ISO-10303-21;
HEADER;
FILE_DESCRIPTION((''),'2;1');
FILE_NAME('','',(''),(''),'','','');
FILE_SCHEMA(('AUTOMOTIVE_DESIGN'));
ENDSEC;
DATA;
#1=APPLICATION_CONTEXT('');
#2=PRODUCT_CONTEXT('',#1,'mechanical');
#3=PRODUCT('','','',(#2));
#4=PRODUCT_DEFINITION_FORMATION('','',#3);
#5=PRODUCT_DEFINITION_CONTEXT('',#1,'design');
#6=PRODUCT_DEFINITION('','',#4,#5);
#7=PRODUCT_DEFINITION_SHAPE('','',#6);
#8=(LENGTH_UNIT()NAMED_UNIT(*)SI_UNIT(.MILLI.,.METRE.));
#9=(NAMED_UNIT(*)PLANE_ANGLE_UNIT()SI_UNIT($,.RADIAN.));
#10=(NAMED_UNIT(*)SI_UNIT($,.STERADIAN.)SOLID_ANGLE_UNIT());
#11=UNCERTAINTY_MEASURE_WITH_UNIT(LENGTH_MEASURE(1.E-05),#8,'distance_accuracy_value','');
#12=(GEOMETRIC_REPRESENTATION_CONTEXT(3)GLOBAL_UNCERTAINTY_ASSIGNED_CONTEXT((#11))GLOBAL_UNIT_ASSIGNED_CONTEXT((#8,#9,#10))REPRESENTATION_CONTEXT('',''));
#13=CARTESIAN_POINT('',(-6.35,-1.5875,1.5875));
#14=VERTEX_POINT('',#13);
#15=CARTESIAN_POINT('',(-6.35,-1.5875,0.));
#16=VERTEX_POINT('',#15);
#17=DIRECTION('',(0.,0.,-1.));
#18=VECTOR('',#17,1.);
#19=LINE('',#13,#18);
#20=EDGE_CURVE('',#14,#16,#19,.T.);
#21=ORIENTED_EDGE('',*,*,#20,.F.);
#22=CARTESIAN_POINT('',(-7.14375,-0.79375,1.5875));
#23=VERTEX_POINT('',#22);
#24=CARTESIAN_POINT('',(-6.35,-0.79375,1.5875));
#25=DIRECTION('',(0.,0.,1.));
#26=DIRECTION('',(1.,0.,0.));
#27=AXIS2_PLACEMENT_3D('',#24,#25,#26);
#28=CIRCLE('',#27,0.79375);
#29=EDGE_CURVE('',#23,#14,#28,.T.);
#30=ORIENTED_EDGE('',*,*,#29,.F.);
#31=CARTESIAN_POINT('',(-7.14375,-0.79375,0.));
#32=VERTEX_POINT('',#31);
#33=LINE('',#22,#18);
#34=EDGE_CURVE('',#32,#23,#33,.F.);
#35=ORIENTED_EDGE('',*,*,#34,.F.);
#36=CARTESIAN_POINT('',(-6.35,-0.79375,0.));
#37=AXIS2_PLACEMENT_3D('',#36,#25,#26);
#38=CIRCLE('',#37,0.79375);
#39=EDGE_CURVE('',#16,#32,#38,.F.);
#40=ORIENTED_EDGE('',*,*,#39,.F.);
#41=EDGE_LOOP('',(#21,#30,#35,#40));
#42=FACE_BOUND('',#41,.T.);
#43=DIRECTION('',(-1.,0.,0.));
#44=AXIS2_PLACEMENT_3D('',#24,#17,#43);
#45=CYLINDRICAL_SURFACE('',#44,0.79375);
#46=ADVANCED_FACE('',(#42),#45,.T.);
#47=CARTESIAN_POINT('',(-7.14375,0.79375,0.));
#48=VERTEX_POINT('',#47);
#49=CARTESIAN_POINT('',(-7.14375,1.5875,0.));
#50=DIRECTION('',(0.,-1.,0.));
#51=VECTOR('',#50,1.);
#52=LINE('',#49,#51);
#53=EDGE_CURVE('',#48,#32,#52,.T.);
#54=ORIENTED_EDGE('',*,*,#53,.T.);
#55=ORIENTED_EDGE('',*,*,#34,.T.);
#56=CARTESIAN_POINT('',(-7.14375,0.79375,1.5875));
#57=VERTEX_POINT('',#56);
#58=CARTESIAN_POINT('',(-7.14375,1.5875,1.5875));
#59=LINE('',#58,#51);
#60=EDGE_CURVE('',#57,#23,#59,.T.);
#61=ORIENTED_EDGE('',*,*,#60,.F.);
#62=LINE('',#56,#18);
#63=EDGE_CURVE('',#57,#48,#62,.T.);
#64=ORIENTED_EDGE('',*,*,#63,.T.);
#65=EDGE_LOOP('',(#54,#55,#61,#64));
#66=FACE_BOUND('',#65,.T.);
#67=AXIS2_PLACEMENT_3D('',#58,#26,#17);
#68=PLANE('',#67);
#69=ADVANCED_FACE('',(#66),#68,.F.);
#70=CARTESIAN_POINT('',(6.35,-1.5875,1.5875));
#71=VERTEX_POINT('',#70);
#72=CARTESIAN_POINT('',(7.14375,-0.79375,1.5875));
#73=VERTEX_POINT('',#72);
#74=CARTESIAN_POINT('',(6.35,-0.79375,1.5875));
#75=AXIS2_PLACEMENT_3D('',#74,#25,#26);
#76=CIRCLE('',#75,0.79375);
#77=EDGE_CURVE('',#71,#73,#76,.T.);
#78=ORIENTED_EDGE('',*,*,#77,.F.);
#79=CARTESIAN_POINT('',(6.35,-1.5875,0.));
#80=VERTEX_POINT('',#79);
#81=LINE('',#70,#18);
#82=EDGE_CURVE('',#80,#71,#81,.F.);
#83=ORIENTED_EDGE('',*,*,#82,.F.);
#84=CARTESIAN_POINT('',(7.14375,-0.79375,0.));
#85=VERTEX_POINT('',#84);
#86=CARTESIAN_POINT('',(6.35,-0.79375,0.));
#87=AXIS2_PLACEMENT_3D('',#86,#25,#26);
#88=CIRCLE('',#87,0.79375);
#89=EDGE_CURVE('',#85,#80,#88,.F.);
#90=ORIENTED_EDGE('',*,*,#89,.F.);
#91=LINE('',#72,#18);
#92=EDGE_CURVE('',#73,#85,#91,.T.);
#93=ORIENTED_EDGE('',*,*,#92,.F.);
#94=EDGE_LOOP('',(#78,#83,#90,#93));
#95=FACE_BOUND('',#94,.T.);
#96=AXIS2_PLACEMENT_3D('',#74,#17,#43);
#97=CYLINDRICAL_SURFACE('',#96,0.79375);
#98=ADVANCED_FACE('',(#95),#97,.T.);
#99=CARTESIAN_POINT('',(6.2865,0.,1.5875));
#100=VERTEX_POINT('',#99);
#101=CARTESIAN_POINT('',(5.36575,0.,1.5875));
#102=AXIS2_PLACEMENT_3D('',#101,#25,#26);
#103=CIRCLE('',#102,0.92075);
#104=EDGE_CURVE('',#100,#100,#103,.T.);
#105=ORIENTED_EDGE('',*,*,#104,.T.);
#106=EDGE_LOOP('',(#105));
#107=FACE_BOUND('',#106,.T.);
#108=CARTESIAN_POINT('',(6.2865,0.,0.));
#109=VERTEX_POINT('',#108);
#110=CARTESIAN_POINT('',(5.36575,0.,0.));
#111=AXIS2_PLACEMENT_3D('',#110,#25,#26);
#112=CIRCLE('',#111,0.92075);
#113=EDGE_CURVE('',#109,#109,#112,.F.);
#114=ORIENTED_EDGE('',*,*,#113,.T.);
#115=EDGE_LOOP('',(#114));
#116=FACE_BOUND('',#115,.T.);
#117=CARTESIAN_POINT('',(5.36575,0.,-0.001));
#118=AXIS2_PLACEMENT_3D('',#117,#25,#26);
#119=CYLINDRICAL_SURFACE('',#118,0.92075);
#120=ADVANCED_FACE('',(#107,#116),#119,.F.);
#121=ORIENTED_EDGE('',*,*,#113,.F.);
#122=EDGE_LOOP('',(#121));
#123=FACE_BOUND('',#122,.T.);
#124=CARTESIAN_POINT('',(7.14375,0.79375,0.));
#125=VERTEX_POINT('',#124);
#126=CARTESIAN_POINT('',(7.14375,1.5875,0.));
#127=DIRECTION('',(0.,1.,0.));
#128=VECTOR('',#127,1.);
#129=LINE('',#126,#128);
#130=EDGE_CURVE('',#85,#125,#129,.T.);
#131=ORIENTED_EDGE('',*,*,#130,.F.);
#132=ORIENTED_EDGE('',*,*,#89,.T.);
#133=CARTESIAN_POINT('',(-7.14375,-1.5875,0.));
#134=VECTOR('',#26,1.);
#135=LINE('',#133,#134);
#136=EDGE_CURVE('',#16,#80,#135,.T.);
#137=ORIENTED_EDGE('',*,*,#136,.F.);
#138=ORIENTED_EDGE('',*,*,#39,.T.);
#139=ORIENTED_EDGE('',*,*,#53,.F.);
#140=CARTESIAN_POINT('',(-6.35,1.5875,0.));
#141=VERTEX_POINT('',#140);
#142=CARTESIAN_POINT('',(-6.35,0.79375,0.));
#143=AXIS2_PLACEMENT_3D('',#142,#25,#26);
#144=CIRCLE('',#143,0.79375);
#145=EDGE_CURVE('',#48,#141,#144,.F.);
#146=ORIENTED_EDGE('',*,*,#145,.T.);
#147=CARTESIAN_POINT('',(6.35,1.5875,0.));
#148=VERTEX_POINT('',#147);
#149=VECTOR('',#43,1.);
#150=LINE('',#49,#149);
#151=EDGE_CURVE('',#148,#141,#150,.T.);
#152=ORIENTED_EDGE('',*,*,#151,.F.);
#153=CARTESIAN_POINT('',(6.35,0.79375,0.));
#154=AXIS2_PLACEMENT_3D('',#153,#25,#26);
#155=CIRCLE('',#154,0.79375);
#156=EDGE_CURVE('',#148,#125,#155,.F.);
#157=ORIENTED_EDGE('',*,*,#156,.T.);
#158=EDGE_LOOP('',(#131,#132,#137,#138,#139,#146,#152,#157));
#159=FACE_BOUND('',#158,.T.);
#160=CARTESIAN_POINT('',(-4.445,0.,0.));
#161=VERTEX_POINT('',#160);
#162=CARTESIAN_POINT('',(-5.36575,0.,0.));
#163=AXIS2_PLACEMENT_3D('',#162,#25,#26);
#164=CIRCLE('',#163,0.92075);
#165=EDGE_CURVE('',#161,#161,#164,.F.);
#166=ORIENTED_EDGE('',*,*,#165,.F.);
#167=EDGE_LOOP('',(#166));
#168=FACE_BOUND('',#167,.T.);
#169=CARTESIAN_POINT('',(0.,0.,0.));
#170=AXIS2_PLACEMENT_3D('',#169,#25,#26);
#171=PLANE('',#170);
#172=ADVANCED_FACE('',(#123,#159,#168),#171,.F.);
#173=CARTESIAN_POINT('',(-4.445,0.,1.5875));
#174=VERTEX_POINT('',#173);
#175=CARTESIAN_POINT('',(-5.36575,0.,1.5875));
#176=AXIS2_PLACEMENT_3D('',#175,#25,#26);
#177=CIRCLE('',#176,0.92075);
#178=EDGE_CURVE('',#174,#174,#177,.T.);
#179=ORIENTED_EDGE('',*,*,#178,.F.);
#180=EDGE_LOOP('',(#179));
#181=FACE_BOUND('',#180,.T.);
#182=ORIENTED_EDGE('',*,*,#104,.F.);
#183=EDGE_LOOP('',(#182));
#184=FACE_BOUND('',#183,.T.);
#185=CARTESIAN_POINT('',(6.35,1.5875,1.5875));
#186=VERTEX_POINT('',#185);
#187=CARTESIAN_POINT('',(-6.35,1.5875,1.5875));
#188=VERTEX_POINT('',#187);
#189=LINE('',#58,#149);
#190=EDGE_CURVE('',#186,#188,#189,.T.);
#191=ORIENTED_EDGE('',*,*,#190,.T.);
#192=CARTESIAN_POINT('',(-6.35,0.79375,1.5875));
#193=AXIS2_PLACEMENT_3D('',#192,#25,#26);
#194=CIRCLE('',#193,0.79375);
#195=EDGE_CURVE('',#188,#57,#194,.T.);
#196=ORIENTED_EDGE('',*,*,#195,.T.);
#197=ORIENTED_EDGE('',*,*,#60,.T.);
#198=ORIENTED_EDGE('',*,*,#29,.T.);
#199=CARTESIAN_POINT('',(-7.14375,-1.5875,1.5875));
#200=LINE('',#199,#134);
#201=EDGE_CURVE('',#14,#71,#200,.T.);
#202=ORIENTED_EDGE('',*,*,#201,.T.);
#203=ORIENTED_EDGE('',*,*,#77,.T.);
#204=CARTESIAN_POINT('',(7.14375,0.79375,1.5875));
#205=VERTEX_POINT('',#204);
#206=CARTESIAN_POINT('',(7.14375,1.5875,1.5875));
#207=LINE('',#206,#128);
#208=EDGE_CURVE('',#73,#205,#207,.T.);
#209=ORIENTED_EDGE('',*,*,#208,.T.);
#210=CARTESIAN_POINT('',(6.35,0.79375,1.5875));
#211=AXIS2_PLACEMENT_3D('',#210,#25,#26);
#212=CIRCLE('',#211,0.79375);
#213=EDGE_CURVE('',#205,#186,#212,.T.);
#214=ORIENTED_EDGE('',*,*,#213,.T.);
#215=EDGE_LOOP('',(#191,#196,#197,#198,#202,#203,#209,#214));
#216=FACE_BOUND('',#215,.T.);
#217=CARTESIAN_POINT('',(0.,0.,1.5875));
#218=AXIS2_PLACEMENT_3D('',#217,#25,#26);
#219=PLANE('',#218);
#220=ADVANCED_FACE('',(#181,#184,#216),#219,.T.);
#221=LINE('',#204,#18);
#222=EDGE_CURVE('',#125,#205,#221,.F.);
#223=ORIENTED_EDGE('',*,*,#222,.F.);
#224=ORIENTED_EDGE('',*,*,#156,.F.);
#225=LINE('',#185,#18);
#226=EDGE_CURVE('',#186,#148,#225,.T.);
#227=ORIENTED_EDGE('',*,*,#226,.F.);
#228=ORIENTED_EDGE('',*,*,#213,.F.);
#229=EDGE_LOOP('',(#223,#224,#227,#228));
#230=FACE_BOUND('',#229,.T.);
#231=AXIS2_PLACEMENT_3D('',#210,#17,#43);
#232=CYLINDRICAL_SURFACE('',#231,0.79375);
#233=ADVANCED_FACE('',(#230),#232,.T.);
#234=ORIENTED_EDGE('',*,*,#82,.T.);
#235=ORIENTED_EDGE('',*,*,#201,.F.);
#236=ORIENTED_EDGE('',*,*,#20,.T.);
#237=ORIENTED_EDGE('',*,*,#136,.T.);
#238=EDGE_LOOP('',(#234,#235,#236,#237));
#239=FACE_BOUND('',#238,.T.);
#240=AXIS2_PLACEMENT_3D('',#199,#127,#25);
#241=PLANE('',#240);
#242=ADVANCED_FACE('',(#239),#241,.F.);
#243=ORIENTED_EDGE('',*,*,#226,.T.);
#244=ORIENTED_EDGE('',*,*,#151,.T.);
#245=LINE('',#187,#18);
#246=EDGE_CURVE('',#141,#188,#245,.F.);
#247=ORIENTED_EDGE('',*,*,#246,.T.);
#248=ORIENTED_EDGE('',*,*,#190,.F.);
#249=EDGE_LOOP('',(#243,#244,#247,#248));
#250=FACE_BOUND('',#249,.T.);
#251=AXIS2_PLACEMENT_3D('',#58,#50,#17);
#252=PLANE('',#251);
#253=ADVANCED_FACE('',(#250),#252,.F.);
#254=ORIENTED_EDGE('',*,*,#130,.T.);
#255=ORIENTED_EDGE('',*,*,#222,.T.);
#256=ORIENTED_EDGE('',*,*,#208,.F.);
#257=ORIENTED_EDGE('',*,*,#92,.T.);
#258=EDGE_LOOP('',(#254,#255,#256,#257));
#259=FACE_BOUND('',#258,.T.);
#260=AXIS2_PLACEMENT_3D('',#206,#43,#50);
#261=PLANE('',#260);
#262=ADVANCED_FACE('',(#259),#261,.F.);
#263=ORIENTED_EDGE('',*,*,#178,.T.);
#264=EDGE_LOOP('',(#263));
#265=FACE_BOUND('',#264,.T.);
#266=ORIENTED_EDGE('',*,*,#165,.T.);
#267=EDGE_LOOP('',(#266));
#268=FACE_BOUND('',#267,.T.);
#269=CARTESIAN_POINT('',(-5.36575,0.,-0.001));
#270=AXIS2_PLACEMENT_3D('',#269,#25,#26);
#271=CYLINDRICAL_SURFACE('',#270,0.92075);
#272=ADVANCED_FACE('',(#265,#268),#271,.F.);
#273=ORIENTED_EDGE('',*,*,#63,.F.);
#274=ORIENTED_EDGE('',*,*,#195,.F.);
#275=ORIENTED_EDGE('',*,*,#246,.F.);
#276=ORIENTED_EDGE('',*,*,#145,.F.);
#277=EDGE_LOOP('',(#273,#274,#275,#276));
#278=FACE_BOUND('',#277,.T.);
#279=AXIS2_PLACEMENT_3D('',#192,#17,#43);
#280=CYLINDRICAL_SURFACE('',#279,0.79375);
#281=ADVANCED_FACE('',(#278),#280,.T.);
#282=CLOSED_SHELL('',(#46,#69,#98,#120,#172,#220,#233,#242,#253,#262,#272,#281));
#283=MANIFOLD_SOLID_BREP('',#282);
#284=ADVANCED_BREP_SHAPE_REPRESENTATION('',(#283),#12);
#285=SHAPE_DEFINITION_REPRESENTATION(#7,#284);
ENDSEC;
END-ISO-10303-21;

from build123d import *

# Parameters (mm, degrees)
SKETCH1_W           = 14.2875
SKETCH1_H           = 3.175
BOSS_EXTRUDE1_DEPTH = 1.5875
CUT_EXTRUDE1_REACH  = 9.488
SKETCH2_R           = 0.92075
FILLET1_R           = 0.79375


with BuildPart() as part:
    # Sketch1 → Boss-Extrude1 (new body)
    with BuildSketch(Plane.XY):
        Rectangle(SKETCH1_W, SKETCH1_H)
    extrude(amount=BOSS_EXTRUDE1_DEPTH)

    # Sketch2 → Cut-Extrude1 (cut, up to next)
    with BuildSketch(Plane.XY.offset(1.5875), mode=Mode.PRIVATE) as cut_extrude1_sk1:
        with Locations((-5.36575, 0)):
            Circle(SKETCH2_R)
    cut_extrude1_tool1 = extrude(cut_extrude1_sk1.sketch, amount=-CUT_EXTRUDE1_REACH, mode=Mode.PRIVATE) & part.part
    # Sketch2 → Cut-Extrude1 (cut, up to next)
    with BuildSketch(Plane.XY.offset(1.5875), mode=Mode.PRIVATE) as cut_extrude1_sk2:
        with Locations((5.36575, 0)):
            Circle(SKETCH2_R)
    cut_extrude1_tool2 = extrude(cut_extrude1_sk2.sketch, amount=-CUT_EXTRUDE1_REACH, mode=Mode.PRIVATE) & part.part
    add(cut_extrude1_tool1.solids().sort_by_distance((-5.36575, 0, 1.5875))[0], mode=Mode.SUBTRACT)
    add(cut_extrude1_tool2.solids().sort_by_distance((5.36575, 0, 1.5875))[0], mode=Mode.SUBTRACT)

    # Fillet1
    fillet1_edges = [part.edges().sort_by_distance(p)[0] for p in [
        (7.14375, -1.5875, 0.79375),
        (-7.14375, -1.5875, 0.79375),
        (-7.14375, 1.5875, 0.79375),
        (7.14375, 1.5875, 0.79375),
    ]]
    fillet(fillet1_edges, radius=FILLET1_R)


solid = part.part
